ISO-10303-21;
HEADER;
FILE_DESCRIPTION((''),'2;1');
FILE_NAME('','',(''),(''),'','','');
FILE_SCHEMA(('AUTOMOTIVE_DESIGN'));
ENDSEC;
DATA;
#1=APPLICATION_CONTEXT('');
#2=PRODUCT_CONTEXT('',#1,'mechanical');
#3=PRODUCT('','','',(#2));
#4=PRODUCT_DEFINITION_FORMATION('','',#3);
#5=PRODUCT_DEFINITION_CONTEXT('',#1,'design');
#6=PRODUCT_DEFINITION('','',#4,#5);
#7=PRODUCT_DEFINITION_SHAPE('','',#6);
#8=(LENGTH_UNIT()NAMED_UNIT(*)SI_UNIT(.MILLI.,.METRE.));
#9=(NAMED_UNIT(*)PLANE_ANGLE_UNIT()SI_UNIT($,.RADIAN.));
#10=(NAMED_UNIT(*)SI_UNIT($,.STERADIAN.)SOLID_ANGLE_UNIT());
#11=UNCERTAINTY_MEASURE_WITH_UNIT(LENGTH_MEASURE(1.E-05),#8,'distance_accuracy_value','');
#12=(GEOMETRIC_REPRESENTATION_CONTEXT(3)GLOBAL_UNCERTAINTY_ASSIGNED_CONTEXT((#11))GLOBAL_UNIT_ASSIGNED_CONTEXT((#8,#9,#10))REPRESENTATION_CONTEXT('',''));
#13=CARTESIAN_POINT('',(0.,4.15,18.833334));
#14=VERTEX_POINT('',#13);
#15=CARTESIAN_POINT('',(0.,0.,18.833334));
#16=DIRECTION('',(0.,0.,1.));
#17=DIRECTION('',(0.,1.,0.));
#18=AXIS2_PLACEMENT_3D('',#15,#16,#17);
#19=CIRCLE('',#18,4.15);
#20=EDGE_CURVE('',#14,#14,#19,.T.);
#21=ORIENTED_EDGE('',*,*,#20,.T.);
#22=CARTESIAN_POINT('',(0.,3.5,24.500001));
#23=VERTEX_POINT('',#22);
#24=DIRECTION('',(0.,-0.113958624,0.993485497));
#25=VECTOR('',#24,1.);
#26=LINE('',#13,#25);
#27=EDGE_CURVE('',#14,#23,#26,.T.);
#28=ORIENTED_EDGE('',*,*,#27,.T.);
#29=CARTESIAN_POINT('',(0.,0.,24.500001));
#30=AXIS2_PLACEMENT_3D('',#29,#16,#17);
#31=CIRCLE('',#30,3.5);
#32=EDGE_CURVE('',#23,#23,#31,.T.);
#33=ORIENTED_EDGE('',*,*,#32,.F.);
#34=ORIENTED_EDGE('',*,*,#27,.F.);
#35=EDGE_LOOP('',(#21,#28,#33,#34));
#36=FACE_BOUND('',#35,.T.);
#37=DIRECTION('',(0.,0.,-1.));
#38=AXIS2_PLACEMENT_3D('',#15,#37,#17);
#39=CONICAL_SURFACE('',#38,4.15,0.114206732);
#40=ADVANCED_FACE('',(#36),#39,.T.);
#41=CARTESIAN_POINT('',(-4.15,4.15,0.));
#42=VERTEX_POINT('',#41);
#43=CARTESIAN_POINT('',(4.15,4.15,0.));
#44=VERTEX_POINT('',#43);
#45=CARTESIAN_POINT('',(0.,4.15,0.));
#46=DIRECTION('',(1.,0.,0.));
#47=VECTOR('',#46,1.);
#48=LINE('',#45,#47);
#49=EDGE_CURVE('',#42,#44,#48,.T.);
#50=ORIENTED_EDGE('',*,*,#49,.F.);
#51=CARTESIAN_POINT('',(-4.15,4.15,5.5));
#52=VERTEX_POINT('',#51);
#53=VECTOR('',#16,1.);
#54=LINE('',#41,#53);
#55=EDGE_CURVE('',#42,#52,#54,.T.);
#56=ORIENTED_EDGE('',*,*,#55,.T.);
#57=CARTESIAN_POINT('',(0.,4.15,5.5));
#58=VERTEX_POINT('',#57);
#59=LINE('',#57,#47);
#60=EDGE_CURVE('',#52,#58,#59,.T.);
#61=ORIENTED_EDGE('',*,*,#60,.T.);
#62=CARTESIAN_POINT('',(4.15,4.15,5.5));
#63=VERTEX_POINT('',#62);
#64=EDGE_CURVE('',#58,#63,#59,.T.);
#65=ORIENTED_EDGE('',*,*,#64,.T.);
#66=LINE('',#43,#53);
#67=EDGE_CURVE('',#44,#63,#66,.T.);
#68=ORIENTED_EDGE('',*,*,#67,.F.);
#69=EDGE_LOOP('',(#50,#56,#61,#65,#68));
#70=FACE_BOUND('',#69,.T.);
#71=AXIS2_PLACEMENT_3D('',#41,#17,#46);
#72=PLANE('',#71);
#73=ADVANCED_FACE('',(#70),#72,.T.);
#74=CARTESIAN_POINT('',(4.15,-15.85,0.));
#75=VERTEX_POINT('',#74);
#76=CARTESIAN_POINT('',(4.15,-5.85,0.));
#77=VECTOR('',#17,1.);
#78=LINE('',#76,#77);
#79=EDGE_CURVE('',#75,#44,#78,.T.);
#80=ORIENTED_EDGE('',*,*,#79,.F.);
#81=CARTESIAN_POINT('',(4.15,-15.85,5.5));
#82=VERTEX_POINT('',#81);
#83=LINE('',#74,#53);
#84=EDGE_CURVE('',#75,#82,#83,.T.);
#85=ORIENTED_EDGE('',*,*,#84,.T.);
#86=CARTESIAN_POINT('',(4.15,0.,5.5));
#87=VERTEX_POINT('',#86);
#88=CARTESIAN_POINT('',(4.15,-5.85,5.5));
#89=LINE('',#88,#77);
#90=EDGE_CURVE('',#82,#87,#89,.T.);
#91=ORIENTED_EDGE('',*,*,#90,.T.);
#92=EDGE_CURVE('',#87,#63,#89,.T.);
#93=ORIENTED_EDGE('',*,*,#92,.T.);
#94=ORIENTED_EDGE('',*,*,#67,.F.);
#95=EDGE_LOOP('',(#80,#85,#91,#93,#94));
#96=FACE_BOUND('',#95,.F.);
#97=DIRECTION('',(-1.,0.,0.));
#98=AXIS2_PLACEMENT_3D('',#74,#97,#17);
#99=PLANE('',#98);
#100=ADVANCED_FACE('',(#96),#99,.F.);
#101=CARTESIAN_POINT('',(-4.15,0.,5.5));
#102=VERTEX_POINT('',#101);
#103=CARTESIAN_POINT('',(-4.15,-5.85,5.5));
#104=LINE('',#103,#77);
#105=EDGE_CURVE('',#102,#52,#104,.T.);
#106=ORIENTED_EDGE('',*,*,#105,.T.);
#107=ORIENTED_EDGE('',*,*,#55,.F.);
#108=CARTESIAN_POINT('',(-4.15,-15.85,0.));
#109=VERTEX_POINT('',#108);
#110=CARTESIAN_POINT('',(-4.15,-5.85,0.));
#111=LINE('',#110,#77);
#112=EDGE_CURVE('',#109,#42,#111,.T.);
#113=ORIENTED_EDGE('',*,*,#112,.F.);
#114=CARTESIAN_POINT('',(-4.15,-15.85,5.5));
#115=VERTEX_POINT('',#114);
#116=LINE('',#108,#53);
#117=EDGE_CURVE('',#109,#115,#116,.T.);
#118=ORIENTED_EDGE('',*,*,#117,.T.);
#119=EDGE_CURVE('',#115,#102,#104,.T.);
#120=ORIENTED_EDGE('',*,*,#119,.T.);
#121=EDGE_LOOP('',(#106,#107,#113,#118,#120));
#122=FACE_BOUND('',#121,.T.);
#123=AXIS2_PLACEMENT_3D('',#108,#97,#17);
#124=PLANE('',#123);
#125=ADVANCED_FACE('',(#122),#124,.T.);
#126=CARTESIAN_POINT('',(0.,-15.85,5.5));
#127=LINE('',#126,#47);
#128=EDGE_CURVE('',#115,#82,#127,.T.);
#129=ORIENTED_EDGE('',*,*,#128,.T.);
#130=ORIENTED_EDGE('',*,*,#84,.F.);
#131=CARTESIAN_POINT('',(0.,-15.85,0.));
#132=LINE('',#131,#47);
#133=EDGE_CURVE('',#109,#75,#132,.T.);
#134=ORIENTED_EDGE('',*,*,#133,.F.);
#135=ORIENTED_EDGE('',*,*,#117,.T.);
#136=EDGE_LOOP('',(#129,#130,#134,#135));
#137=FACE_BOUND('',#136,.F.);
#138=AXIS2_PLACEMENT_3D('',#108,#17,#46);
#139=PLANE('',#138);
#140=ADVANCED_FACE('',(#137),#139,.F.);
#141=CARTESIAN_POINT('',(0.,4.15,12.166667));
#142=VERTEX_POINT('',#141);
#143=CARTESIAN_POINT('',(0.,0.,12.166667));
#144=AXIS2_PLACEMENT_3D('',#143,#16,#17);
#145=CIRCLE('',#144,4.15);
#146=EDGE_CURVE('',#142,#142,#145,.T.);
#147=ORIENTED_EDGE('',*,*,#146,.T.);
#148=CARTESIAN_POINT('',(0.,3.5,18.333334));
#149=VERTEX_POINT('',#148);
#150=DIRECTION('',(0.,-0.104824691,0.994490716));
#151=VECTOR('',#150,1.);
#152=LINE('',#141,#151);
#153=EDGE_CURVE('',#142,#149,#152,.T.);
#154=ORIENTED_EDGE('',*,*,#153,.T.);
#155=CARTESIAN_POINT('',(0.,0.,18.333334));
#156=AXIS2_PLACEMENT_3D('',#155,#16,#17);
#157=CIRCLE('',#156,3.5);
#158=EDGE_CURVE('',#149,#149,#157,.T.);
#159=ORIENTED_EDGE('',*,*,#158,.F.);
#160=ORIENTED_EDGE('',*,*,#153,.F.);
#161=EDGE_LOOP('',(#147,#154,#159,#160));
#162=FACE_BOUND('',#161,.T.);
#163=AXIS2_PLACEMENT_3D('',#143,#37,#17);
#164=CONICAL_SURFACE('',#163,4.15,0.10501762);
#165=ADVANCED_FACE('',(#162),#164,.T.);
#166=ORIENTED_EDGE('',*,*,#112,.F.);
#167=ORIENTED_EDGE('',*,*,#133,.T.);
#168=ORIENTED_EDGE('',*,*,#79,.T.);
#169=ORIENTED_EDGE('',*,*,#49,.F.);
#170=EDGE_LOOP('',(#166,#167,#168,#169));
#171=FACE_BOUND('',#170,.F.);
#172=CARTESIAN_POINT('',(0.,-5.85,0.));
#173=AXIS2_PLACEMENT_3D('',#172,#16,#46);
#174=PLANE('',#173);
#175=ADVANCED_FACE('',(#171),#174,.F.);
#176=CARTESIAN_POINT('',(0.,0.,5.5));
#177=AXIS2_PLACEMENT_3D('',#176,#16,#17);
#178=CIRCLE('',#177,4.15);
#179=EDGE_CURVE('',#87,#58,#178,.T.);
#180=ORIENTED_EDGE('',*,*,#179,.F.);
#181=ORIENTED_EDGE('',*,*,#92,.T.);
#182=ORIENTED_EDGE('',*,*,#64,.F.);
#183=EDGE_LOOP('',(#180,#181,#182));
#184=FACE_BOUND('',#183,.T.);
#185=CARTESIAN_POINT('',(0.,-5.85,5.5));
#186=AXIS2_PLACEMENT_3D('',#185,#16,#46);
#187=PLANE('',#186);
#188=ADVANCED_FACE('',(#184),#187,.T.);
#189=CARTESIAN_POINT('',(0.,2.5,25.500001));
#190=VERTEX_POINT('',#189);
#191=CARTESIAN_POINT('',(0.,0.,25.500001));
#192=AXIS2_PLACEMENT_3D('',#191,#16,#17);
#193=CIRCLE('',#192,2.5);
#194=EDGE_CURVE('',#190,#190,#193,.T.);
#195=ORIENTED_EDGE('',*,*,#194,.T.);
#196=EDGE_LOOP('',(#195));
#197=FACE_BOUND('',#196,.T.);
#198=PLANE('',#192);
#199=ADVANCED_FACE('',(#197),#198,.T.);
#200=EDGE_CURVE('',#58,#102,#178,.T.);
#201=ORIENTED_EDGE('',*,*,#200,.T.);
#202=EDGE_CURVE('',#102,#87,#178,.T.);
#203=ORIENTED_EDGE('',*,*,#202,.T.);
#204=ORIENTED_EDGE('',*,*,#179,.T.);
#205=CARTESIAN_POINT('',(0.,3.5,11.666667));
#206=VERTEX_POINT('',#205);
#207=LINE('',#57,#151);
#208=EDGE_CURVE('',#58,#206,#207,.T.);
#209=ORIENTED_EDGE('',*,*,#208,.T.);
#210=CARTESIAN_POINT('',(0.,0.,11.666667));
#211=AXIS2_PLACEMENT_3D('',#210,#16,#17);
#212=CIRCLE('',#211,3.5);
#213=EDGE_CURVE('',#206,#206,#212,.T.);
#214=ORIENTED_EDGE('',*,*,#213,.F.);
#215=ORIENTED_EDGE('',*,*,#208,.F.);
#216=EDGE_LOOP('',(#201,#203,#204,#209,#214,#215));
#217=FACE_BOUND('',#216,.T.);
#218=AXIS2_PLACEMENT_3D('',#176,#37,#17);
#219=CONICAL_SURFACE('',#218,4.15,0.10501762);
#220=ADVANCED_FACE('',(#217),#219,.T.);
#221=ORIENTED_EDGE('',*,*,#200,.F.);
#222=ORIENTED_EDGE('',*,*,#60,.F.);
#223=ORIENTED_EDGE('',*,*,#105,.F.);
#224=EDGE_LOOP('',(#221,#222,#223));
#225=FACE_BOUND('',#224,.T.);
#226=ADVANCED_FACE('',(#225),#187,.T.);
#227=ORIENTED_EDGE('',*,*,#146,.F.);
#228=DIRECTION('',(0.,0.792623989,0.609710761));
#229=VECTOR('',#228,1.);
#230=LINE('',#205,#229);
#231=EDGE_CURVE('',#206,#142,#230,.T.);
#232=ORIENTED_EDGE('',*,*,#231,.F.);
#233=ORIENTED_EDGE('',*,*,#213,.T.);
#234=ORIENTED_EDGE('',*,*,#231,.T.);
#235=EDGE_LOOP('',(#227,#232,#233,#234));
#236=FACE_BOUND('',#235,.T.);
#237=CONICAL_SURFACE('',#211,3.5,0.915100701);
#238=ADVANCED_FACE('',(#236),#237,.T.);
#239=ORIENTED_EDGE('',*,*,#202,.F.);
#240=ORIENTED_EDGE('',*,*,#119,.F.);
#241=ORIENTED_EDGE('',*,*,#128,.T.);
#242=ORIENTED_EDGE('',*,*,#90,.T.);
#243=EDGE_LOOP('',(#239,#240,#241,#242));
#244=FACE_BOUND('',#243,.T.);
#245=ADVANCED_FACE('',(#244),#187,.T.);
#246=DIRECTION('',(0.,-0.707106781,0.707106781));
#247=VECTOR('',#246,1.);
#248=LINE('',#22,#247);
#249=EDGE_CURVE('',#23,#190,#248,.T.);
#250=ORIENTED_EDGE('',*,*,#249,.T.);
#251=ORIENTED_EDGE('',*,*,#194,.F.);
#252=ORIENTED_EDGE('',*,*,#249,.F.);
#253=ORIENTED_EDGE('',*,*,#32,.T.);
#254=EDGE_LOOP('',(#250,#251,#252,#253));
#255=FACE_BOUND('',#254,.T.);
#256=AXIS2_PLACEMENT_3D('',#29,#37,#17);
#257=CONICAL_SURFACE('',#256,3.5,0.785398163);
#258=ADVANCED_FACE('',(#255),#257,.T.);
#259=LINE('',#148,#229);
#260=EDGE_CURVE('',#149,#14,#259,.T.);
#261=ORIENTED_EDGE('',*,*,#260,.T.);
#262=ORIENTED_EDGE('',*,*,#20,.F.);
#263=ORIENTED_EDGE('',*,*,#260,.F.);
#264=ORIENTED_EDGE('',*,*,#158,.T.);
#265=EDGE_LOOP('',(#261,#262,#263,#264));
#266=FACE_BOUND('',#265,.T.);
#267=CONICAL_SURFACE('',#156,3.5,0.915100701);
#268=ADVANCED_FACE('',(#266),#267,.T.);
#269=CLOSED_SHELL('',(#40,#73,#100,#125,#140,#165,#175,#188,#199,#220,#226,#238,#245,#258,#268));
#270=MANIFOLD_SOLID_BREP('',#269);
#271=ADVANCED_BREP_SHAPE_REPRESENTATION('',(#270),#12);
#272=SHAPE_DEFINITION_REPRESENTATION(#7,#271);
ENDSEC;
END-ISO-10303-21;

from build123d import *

# Parameters (mm, degrees)
SKETCH002_W = 8.3
SKETCH002_H = 20
PAD_DEPTH   = 5.5


with BuildPart() as part:
    # Sketch002 → Pad (new body)
    with BuildSketch(Plane.XY):
        with Locations((0, -5.85)):
            Rectangle(SKETCH002_W, SKETCH002_H)
    extrude(amount=PAD_DEPTH)

    # Sketch003 → Revolution (revolve)
    with BuildSketch(Plane.YZ):
        Polygon((0, 5.5), (4.15, 5.5), (3.5, 11.666667), (4.15, 12.166667), (3.5, 18.333334), (4.15, 18.833334), (3.5, 24.500001), (2.5, 25.500001), (0, 25.500001), align=None)
    revolve(axis=Axis((0, 0, 0), (0, 0, 1)))


solid = part.part
